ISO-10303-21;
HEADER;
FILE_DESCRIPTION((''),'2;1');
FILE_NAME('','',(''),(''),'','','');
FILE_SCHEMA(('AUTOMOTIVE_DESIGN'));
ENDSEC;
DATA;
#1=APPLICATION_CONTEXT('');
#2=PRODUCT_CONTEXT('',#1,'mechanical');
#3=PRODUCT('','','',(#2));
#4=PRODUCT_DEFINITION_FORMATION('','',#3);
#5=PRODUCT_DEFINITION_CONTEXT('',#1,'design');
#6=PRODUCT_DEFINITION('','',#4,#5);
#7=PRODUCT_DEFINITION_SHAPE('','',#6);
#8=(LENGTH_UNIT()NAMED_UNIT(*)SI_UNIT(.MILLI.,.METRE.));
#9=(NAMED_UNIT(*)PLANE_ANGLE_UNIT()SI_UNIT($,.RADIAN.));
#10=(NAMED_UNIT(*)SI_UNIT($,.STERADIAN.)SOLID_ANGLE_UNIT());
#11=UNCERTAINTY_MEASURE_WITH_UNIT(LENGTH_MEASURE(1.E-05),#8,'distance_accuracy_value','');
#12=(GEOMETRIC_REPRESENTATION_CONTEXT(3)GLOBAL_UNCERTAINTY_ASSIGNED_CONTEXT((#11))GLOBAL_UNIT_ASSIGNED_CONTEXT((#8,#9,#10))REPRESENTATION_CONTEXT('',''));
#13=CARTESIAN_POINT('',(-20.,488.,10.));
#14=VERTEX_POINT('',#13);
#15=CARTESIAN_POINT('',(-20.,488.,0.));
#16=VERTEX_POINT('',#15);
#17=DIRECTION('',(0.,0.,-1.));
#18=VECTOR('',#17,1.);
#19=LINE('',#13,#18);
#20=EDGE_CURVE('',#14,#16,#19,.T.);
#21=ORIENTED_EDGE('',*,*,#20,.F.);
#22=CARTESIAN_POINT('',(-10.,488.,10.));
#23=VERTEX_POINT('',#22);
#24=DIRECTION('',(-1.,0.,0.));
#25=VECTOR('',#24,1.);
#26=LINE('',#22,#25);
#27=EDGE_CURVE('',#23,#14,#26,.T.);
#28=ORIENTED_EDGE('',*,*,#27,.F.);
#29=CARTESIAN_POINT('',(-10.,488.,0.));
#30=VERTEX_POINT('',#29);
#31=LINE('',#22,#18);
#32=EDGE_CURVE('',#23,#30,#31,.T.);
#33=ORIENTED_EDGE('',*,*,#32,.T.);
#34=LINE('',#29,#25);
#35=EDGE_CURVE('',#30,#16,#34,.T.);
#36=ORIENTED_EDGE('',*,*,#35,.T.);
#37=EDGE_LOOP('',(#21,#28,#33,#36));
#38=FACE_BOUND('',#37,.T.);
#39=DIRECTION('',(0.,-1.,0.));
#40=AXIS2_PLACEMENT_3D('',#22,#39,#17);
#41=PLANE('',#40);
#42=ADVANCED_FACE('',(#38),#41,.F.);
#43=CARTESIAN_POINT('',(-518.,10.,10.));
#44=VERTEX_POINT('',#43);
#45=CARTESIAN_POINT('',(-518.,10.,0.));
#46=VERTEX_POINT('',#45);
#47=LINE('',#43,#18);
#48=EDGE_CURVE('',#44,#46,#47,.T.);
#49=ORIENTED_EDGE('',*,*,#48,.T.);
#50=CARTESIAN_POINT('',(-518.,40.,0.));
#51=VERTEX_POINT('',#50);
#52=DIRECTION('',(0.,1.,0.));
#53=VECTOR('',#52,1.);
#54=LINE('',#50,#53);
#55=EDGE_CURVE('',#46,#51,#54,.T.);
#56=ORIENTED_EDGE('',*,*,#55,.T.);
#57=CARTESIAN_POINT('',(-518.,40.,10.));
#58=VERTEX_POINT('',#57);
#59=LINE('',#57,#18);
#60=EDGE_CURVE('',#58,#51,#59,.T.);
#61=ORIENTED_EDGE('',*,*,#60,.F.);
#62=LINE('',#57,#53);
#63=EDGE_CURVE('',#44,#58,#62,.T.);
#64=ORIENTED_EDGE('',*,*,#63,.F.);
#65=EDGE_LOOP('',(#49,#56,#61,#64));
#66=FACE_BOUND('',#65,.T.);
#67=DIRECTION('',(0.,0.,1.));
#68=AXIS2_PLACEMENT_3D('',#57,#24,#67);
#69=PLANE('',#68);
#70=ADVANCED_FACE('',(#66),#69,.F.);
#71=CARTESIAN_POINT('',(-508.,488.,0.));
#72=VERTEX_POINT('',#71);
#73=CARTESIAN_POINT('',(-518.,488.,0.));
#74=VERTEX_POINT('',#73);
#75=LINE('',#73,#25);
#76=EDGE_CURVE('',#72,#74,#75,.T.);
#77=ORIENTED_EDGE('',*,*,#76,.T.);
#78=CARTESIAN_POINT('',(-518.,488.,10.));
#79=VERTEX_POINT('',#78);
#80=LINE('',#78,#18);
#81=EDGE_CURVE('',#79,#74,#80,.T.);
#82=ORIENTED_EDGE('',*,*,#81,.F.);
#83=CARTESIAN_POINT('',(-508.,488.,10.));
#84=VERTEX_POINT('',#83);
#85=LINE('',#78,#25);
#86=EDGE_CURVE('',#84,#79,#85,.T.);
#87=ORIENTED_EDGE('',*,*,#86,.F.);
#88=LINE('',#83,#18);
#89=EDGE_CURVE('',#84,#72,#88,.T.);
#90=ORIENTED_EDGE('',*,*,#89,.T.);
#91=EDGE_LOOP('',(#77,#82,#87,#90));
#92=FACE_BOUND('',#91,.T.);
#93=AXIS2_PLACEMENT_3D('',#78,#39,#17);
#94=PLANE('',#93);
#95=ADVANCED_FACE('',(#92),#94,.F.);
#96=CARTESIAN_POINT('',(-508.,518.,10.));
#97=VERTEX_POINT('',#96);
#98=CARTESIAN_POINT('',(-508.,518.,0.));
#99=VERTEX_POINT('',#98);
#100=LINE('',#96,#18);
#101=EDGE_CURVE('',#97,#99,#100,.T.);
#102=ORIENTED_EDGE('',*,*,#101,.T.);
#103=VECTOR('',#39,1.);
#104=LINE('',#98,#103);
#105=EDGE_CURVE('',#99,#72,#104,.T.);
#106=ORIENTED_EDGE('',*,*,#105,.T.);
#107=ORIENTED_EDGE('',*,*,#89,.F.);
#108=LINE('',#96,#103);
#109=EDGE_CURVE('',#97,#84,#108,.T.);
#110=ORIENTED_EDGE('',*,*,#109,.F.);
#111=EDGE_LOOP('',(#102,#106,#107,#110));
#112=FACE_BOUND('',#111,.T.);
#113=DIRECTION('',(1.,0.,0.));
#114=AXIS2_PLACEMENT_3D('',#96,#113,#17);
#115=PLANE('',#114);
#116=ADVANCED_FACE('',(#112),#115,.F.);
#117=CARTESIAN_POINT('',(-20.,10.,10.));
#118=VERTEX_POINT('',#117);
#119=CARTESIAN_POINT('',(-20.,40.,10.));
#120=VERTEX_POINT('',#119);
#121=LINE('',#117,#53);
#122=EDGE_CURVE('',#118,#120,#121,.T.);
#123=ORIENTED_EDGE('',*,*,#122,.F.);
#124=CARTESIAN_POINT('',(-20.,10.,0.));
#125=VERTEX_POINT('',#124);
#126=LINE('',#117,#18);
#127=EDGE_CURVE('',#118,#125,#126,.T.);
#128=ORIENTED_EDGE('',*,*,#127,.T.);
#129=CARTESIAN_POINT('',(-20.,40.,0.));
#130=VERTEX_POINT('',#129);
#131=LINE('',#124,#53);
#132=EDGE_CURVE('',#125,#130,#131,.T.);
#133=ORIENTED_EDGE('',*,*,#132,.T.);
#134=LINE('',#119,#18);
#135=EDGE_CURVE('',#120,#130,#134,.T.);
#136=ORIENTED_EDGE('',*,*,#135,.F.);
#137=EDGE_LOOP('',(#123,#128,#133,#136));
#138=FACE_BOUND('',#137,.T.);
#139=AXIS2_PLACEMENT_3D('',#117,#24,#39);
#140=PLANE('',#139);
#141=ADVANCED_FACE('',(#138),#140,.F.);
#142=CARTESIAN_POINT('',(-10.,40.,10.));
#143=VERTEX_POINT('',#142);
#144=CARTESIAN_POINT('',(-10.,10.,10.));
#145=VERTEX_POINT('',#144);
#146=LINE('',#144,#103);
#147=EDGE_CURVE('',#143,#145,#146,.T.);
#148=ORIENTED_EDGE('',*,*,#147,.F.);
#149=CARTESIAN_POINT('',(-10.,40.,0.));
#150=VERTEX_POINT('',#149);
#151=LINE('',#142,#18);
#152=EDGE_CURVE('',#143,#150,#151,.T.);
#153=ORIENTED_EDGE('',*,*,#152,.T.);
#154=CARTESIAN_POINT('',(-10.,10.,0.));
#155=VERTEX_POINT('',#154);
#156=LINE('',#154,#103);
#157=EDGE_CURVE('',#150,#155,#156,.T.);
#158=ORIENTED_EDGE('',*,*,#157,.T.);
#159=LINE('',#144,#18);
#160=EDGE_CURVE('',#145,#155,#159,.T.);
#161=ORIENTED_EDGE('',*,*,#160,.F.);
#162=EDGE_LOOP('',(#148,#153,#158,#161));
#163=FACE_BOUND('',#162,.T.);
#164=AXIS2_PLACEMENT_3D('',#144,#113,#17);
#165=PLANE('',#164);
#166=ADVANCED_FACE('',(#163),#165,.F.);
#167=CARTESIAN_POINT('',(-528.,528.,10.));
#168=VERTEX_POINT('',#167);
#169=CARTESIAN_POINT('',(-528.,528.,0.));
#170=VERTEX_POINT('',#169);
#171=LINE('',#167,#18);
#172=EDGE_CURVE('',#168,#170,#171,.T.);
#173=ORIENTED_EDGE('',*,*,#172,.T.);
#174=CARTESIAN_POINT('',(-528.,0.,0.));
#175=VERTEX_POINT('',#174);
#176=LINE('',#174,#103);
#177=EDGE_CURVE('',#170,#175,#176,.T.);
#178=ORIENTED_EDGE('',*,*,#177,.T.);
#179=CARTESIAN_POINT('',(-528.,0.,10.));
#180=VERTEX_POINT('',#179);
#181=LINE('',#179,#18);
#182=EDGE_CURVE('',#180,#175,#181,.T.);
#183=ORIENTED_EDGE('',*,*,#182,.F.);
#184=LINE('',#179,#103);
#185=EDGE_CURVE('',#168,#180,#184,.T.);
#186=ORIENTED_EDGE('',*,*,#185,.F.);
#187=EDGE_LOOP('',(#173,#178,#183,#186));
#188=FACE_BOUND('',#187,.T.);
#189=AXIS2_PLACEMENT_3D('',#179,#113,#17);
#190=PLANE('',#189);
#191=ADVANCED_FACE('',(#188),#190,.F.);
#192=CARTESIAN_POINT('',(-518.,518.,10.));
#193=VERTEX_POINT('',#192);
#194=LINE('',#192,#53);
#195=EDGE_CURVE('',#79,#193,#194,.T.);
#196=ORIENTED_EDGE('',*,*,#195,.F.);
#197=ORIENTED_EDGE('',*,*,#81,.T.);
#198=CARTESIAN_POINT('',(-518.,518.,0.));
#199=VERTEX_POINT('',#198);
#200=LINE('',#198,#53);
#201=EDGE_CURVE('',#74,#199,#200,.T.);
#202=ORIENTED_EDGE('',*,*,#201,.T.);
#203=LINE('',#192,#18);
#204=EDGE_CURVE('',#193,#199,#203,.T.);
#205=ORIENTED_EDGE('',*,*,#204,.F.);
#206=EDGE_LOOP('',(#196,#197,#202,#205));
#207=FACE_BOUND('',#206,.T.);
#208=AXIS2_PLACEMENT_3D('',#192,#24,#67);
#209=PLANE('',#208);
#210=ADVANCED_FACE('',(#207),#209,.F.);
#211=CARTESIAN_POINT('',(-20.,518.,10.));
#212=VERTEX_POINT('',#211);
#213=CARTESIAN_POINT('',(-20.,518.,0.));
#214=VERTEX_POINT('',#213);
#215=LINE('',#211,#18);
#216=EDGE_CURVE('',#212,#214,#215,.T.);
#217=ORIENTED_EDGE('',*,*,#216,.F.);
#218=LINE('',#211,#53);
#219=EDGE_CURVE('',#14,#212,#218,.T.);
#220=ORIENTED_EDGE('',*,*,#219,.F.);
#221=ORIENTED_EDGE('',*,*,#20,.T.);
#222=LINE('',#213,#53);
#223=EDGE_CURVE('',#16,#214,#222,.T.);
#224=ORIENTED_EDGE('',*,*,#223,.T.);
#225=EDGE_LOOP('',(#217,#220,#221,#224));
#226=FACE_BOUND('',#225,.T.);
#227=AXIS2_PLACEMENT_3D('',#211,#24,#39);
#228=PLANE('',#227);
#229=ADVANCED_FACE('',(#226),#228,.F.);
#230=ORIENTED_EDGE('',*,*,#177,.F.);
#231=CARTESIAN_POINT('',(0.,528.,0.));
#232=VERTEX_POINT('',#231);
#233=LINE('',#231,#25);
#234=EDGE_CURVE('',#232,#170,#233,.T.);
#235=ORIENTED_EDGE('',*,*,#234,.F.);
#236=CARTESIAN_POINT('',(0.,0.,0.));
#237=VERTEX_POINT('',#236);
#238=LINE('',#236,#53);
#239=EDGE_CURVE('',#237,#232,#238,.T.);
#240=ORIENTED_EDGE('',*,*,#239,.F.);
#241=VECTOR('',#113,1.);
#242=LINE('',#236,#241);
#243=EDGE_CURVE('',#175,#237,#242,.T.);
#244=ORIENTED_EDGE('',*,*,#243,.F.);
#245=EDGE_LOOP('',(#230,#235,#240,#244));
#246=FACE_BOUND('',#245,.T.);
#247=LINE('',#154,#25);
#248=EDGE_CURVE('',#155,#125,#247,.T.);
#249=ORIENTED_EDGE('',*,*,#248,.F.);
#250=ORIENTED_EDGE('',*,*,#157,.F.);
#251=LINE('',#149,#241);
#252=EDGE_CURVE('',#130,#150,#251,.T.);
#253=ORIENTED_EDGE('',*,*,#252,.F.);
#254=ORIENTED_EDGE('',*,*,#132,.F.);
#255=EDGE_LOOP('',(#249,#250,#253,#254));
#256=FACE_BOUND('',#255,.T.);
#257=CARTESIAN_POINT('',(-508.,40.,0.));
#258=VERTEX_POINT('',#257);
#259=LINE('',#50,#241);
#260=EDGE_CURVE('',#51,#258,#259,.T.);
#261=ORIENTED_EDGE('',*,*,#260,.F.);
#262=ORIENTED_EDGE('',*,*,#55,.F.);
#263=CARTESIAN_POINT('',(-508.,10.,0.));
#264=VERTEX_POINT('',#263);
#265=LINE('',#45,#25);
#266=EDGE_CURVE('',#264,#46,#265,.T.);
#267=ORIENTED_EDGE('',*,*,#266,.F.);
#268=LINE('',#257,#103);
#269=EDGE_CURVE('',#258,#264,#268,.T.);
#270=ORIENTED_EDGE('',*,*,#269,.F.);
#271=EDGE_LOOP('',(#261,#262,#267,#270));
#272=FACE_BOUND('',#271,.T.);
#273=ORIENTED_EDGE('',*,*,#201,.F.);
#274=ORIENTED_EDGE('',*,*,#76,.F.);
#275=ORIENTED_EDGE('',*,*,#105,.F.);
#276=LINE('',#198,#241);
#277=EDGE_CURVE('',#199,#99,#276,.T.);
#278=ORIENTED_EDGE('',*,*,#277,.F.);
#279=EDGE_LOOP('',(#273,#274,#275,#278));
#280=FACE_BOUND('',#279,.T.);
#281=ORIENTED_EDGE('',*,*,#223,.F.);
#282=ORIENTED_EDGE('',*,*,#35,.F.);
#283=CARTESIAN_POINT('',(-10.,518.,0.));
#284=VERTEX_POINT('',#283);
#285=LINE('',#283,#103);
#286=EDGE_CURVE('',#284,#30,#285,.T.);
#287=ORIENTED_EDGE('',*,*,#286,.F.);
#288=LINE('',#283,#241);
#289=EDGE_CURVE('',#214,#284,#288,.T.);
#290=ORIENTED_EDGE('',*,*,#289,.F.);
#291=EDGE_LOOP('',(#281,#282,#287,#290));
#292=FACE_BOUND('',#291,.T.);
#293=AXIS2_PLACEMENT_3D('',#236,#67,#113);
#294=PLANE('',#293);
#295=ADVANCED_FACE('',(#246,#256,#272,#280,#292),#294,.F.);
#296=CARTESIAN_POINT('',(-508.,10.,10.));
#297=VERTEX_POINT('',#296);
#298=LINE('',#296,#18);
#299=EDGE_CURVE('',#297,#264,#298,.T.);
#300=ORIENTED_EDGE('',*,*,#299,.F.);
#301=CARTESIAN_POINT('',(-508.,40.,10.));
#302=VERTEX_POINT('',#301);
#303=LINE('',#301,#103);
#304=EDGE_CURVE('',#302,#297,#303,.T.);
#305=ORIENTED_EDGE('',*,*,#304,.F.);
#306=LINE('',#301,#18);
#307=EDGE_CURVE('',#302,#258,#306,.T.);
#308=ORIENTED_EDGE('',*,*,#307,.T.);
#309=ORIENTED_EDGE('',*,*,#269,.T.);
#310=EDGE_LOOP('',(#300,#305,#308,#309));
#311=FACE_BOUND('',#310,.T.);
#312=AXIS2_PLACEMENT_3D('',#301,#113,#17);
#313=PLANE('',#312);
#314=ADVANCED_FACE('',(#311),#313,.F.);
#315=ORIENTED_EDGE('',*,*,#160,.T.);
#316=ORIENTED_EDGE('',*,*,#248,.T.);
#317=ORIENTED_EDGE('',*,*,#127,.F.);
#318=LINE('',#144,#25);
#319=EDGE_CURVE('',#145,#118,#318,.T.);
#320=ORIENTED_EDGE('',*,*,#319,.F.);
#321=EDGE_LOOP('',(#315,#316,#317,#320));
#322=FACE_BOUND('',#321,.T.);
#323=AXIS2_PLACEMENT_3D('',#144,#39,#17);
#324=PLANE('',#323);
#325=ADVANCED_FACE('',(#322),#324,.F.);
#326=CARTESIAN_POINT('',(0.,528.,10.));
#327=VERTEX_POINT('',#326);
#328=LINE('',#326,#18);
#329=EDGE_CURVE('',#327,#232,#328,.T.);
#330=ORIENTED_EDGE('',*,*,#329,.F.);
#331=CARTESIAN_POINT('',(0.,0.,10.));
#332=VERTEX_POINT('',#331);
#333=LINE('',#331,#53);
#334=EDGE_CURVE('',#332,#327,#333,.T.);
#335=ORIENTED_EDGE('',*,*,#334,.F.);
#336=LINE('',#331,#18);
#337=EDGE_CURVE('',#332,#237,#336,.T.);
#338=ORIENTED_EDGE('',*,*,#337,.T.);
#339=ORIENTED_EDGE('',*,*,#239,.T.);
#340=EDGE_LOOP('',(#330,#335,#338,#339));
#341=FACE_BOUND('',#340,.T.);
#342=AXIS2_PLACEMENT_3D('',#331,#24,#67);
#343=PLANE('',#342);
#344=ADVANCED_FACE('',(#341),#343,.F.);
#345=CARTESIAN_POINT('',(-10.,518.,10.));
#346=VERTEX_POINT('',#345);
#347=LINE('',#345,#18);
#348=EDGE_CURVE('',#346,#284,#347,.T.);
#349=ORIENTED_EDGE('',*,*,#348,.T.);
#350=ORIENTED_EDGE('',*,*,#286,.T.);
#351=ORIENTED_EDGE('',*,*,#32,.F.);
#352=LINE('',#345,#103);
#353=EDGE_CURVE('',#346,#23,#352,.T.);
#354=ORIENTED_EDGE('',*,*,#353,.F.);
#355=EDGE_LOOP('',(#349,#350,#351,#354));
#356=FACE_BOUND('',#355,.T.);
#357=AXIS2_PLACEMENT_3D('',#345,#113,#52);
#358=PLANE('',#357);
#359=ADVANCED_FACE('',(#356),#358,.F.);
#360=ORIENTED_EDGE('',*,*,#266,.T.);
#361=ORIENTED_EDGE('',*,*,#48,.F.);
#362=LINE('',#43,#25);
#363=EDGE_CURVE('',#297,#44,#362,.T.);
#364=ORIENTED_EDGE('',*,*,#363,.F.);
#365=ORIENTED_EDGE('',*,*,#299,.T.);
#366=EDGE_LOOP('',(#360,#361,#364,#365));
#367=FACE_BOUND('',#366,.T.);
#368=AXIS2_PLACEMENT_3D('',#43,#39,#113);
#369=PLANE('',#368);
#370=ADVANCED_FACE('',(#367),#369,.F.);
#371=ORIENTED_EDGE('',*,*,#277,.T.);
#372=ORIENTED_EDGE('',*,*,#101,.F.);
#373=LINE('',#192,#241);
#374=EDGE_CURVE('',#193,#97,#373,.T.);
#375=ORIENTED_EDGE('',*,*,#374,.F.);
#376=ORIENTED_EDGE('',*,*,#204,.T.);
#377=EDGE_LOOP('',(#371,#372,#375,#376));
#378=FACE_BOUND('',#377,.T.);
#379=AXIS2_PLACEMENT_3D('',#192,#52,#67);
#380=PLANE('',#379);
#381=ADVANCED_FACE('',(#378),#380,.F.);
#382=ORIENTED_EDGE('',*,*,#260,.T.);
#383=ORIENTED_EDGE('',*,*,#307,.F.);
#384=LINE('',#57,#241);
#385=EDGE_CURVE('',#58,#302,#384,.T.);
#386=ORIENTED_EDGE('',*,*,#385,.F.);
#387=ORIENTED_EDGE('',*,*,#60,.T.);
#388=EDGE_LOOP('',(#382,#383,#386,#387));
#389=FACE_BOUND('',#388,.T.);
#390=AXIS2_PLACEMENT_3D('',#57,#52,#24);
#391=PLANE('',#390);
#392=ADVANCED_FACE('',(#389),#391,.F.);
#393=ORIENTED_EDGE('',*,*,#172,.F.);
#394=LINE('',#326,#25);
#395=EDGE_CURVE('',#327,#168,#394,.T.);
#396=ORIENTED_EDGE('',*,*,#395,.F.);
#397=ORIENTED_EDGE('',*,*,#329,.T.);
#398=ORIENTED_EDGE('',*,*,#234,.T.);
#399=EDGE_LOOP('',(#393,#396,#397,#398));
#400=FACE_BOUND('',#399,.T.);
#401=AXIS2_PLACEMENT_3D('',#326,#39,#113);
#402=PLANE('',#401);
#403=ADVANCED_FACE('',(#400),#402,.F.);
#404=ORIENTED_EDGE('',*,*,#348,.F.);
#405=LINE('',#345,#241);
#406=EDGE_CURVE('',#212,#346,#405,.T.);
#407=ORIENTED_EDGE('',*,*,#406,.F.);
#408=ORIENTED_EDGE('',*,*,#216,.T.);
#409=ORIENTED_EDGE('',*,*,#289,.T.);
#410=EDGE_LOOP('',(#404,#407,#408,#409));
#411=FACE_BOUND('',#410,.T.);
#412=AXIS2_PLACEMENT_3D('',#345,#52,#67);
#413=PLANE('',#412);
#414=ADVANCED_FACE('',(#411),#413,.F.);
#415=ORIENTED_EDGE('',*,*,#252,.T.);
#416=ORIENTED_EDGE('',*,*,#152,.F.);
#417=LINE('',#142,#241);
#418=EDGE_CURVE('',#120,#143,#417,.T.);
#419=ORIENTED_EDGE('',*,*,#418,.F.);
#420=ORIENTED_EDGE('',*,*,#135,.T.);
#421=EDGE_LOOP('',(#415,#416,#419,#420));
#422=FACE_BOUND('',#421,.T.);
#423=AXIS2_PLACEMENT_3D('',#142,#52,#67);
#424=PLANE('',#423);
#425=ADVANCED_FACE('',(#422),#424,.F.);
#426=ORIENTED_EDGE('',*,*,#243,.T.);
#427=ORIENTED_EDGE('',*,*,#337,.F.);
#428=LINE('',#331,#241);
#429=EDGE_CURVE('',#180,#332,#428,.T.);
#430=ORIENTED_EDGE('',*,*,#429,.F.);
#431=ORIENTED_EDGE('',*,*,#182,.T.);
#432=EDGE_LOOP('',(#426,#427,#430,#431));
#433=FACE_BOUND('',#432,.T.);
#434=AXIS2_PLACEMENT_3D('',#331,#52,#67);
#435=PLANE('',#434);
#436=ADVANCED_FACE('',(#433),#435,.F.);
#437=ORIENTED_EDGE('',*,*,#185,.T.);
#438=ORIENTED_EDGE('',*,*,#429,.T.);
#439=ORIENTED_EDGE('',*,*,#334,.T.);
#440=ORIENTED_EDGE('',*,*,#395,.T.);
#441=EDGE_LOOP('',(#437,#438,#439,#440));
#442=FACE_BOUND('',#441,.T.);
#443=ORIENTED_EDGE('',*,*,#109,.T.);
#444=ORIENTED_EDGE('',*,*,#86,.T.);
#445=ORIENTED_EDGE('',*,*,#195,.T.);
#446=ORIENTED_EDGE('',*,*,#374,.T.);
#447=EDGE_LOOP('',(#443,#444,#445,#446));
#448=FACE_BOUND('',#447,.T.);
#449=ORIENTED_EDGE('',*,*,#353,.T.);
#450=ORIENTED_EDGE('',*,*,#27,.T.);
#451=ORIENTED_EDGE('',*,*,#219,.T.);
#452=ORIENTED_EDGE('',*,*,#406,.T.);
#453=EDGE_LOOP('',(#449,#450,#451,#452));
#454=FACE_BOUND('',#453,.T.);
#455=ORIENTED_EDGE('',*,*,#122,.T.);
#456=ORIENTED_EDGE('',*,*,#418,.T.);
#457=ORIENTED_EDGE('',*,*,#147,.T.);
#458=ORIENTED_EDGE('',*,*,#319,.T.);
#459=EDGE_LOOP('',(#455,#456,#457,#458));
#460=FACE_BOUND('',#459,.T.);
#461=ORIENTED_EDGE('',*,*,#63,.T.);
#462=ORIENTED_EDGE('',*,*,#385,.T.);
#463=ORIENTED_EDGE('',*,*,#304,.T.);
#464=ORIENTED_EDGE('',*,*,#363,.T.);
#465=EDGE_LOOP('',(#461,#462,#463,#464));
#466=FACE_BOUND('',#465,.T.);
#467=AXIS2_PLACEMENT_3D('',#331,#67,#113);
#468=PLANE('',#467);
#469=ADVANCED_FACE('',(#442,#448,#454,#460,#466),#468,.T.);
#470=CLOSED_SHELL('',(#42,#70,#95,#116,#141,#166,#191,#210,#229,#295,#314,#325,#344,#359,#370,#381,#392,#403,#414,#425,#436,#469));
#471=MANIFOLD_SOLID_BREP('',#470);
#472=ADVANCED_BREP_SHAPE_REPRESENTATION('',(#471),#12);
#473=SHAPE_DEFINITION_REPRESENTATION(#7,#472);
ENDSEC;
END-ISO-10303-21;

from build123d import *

# Parameters (mm, degrees)
SKETCH1_W           = 528
SKETCH1_H           = 528
BOSS_EXTRUDE1_DEPTH = 10
SKETCH2_W           = 10
SKETCH2_H           = 30
CUT_EXTRUDE1_DEPTH  = 10


with BuildPart() as part:
    # Sketch1 → Boss-Extrude1 (new body)
    with BuildSketch(Plane.XY):
        with Locations((-264, 264)):
            Rectangle(SKETCH1_W, SKETCH1_H)
    extrude(amount=BOSS_EXTRUDE1_DEPTH)

    # Sketch2 → Cut-Extrude1 (cut)
    with BuildSketch(Plane(origin=(0, 0, 0), x_dir=(-1, 0, 0), z_dir=(0, 0, -1))):
        with Locations((513, 503)):
            Rectangle(SKETCH2_W, SKETCH2_H)
        with Locations((513, 25)):
            Rectangle(SKETCH2_W, SKETCH2_H)
        with Locations((15, 25)):
            Rectangle(SKETCH2_W, SKETCH2_H)
        with Locations((15, 503)):
            Rectangle(SKETCH2_W, SKETCH2_H)
    extrude(amount=-CUT_EXTRUDE1_DEPTH, mode=Mode.SUBTRACT)


solid = part.part
